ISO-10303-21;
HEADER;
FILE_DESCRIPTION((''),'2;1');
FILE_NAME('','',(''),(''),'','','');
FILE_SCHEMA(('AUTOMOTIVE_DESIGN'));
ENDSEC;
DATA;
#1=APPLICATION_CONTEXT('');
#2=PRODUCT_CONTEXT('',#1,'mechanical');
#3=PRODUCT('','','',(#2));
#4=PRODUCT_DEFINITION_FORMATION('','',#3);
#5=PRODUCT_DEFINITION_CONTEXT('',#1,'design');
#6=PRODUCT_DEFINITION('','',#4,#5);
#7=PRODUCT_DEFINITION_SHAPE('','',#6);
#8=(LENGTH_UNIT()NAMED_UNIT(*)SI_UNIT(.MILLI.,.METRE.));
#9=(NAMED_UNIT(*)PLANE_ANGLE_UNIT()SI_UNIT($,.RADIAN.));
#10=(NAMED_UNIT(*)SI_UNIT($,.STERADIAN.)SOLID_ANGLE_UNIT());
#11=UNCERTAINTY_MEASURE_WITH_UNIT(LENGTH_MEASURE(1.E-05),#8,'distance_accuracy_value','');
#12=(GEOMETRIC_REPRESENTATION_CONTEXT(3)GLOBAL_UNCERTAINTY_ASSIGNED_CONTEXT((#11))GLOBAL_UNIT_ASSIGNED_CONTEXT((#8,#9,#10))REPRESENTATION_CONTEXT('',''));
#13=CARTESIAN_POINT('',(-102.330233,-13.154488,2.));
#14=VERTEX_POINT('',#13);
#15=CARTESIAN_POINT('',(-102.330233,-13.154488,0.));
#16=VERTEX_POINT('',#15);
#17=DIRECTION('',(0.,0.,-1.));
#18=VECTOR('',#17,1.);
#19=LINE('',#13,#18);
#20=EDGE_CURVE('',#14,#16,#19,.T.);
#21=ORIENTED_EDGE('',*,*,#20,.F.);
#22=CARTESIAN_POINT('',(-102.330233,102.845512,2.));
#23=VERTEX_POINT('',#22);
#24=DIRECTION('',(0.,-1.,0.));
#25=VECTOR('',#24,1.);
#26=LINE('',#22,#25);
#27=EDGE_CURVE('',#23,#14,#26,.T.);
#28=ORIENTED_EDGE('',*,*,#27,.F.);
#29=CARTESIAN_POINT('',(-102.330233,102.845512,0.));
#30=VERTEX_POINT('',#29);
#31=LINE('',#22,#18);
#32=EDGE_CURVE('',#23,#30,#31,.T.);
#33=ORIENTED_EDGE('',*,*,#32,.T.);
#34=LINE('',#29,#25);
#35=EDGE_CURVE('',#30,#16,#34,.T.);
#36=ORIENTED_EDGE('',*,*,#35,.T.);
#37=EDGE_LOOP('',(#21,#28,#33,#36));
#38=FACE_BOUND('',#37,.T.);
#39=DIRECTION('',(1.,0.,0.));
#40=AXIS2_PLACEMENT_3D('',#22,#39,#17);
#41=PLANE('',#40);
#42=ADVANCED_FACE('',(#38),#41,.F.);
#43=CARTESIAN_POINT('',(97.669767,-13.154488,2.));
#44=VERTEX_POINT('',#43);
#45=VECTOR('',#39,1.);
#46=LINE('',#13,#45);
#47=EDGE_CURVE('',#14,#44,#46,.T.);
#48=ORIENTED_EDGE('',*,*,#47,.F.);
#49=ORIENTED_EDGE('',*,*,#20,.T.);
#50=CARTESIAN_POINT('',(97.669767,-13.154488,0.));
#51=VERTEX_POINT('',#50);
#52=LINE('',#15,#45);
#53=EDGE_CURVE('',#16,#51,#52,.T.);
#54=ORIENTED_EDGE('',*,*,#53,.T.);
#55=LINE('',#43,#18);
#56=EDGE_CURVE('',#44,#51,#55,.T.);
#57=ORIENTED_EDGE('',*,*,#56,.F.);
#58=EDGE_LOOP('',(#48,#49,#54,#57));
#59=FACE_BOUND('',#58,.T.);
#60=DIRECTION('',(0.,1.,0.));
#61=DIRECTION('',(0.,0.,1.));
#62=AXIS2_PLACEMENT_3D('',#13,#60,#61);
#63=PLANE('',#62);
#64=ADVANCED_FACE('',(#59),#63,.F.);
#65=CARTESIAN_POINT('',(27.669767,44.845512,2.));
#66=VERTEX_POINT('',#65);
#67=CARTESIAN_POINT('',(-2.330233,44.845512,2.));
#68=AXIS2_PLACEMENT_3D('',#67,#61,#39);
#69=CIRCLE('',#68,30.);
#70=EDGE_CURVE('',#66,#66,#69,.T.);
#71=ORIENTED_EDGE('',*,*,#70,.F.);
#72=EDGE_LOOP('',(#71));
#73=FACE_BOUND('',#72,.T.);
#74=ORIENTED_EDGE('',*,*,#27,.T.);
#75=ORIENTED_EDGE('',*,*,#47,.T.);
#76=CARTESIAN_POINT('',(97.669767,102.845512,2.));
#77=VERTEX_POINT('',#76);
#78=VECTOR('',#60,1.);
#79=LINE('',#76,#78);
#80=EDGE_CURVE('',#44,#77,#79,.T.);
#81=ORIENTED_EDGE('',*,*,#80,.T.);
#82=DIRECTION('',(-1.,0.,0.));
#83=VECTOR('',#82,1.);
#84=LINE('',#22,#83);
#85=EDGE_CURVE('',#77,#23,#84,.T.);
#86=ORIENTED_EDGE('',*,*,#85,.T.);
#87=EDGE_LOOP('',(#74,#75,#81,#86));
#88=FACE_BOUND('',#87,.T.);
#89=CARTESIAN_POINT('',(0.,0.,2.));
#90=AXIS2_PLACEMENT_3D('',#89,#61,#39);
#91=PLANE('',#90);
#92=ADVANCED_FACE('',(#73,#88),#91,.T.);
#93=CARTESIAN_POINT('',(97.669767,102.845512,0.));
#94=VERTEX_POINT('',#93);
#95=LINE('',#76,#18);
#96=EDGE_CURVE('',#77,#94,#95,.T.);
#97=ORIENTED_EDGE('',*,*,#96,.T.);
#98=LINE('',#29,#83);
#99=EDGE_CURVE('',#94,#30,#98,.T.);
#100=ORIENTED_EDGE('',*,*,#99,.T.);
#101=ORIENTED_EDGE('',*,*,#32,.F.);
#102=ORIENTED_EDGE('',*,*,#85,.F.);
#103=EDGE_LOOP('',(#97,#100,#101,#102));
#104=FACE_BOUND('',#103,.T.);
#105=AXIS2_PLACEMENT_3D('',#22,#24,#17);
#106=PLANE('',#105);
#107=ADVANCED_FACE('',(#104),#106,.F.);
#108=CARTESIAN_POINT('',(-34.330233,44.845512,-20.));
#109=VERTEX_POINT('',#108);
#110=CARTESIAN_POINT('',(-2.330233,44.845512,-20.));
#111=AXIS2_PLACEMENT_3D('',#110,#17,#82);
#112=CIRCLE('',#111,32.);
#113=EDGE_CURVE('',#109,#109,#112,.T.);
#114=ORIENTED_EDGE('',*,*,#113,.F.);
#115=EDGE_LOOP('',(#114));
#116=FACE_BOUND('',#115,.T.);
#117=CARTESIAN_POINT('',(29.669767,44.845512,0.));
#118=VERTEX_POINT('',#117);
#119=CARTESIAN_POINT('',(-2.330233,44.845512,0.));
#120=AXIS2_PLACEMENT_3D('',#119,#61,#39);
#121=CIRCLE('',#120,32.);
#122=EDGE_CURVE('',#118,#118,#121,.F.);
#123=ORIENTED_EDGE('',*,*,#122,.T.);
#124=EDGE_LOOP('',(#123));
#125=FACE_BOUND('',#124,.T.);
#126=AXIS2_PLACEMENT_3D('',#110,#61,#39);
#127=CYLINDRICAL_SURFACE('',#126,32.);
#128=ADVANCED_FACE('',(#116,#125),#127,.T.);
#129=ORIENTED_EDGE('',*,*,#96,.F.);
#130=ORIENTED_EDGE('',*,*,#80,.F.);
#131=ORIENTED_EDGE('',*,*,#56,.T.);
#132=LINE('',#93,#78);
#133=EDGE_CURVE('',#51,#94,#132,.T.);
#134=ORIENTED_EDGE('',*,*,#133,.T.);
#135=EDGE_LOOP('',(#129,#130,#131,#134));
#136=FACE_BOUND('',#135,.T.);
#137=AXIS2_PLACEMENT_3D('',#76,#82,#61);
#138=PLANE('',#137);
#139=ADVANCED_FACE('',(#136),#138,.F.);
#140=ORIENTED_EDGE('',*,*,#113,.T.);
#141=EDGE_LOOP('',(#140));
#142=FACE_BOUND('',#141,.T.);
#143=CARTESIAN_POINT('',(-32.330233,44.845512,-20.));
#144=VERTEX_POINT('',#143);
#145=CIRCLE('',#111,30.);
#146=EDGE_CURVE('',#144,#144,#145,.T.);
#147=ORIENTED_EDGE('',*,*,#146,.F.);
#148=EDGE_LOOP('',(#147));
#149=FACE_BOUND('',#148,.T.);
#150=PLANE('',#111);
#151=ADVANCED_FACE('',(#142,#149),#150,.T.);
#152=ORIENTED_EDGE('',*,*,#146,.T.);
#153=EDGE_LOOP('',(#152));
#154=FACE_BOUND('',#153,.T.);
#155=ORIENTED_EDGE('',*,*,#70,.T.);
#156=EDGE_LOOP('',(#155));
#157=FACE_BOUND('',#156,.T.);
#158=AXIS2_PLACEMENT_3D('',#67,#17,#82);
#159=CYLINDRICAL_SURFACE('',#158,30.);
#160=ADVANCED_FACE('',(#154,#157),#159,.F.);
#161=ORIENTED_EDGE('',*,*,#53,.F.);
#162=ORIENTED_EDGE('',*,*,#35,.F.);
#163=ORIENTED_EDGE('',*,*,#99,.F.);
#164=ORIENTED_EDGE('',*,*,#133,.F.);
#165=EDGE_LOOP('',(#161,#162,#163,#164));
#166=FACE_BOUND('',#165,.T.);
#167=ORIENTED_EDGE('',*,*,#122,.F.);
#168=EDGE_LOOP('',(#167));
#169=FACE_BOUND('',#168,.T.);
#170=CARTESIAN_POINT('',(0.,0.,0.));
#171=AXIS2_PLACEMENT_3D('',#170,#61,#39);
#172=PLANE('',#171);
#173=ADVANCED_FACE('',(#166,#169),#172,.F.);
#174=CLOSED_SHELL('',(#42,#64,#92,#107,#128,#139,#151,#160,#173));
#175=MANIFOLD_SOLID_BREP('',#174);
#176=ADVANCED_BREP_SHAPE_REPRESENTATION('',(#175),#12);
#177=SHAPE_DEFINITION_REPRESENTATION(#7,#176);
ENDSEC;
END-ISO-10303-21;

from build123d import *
from build123d.topology import SkipClean

# Parameters (mm, degrees)
SKETCH1_W           = 200
SKETCH1_H           = 116
SKETCH1_R           = 30
BOSS_EXTRUDE1_DEPTH = 2
BOSS_EXTRUDE2_START = 20
SKETCH2_R           = 32
SKETCH2_R_2         = 30
BOSS_EXTRUDE2_DEPTH = 20


with BuildPart() as part:
    # Sketch1 → Boss-Extrude1 (new body)
    with BuildSketch(Plane.XY):
        with Locations((-2.330233128, 44.845512274)):
            Rectangle(SKETCH1_W, SKETCH1_H)
        with Locations((-2.330233128, 44.845512274)):
            Circle(SKETCH1_R, mode=Mode.SUBTRACT)
    extrude(amount=BOSS_EXTRUDE1_DEPTH)

    # Sketch2 → Boss-Extrude2 (add)
    with SkipClean():  # the faces are left unmerged after this step: merging them gives an invalid solid
        with BuildSketch(Plane(origin=(0, 0, 0), x_dir=(-1, 0, 0), z_dir=(0, 0, -1)).offset(BOSS_EXTRUDE2_START)):
            with Locations(Location((2.330233128, 44.845512274, 0), (0, 0, 180))):
                Circle(SKETCH2_R)
            with Locations((2.330233128, 44.845512274)):
                Circle(SKETCH2_R_2, mode=Mode.SUBTRACT)
        extrude(amount=-BOSS_EXTRUDE2_DEPTH)


solid = part.part
